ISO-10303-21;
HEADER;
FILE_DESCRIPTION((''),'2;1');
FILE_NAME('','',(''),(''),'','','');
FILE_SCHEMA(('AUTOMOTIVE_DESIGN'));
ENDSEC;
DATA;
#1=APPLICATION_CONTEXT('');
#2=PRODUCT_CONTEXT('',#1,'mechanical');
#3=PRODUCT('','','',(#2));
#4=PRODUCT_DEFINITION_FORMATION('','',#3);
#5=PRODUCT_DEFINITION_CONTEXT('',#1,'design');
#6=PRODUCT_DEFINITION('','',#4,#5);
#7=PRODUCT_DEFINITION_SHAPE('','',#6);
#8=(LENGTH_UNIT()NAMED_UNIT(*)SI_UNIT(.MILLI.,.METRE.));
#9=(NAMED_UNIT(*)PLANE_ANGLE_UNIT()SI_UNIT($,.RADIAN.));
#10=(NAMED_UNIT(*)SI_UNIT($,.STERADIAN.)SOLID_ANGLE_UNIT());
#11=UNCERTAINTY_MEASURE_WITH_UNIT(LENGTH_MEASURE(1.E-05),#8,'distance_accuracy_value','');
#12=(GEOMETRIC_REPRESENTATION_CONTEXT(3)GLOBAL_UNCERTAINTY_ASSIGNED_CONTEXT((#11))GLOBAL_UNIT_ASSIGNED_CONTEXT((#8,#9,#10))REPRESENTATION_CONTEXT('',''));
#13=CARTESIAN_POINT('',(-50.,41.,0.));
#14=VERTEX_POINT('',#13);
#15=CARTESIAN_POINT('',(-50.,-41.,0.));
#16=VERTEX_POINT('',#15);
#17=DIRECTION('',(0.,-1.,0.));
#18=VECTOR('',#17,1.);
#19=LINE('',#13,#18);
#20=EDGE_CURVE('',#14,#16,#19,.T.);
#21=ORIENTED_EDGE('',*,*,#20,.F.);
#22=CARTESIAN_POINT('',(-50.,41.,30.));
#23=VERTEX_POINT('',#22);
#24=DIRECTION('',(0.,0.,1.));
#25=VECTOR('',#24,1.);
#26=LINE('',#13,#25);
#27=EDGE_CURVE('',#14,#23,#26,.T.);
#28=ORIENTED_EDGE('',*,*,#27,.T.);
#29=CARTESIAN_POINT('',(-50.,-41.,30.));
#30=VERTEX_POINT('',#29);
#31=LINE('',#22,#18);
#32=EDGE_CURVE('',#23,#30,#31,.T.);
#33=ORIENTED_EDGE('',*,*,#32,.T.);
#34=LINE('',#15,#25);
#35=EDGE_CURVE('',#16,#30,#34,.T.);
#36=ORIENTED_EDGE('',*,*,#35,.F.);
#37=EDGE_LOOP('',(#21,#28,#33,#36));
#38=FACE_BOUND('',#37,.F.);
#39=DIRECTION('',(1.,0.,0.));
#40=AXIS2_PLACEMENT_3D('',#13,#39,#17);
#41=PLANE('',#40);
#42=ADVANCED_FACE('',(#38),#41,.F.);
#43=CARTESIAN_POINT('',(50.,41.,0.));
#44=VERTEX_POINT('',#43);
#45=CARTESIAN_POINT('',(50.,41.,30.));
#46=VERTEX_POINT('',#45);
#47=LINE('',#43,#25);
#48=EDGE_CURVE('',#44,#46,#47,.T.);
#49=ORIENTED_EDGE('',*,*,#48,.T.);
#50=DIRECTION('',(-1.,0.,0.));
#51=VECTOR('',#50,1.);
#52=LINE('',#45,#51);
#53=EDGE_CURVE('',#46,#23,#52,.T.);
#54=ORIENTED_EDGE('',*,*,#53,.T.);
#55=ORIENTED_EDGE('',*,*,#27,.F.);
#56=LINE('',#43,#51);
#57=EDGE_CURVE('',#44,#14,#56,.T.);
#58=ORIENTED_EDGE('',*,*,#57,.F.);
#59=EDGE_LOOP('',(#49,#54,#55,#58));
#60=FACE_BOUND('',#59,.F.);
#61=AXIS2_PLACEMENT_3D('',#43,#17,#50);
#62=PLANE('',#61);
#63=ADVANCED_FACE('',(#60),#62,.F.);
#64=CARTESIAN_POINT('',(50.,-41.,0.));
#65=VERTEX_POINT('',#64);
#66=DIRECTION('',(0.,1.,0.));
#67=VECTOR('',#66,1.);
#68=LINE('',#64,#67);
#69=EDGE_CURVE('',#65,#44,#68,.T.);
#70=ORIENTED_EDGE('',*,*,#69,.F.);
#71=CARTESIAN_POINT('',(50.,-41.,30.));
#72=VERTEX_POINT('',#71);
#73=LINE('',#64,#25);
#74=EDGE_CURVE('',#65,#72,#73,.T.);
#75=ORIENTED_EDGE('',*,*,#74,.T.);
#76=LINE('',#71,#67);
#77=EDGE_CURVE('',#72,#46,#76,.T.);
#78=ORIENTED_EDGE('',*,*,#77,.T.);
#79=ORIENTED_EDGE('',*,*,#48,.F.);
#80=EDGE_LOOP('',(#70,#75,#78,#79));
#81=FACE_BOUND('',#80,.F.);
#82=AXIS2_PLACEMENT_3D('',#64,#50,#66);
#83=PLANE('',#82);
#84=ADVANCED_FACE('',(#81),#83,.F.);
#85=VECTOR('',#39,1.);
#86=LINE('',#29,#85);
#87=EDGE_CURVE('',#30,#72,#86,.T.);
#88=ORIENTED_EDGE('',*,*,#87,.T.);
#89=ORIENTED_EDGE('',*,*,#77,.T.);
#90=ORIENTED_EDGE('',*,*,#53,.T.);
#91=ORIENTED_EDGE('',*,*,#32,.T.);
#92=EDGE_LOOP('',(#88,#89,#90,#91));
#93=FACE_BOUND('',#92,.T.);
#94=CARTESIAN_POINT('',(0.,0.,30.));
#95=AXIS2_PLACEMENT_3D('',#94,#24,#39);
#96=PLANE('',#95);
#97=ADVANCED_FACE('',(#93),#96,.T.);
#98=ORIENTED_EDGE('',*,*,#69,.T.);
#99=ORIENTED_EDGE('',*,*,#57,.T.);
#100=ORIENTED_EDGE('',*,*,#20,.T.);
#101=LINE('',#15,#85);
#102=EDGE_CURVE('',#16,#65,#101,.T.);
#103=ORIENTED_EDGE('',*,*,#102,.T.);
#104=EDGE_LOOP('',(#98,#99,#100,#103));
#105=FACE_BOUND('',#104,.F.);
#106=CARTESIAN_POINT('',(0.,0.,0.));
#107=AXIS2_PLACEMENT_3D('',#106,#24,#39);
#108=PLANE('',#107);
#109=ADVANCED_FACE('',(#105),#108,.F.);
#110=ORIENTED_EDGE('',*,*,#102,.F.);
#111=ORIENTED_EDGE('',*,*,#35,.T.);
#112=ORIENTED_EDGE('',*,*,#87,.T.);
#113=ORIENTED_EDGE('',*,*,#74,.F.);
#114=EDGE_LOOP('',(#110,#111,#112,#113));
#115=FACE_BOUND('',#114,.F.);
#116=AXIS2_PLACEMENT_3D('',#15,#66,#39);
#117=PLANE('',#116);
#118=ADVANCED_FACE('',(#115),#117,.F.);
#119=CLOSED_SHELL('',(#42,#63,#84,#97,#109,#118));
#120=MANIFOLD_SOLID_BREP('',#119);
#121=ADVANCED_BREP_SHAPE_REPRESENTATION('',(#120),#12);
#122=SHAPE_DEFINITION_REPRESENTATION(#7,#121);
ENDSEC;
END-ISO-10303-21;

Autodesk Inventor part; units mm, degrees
ref_plane "YZ Plane" through (0, 0, 0) normal (1, 0, 0) x (0, 1, 0)
ref_plane "XZ Plane" through (0, 0, 0) normal (0, 1, 0) x (-1, 0, 0)
ref_plane "XY Plane" through (0, 0, 0) normal (0, 0, 1) x (1, 0, 0)
sketch "Эскиз1" plane through (0, 0, 0) normal (0, 0, 1) x (1, 0, 0)
  line L0 (-50, -41) -> (50, -41)
  line L1 (50, -41) -> (50, 41)
  line L2 (50, 41) -> (-50, 41)
  line L3 (-50, 41) -> (-50, -41)
  line L4 (-50, -41) -> (50, 41) construction
  line L5 (50, -41) -> (-50, 41) construction
  point P0 (0, 0)
  dimension "d0" = 100
  dimension "d1" = 82
extrude "Выдавливание1" add sketch "Эскиз1" along normal blind 30
properties part number "Блок питания LS-50-5_5V"
